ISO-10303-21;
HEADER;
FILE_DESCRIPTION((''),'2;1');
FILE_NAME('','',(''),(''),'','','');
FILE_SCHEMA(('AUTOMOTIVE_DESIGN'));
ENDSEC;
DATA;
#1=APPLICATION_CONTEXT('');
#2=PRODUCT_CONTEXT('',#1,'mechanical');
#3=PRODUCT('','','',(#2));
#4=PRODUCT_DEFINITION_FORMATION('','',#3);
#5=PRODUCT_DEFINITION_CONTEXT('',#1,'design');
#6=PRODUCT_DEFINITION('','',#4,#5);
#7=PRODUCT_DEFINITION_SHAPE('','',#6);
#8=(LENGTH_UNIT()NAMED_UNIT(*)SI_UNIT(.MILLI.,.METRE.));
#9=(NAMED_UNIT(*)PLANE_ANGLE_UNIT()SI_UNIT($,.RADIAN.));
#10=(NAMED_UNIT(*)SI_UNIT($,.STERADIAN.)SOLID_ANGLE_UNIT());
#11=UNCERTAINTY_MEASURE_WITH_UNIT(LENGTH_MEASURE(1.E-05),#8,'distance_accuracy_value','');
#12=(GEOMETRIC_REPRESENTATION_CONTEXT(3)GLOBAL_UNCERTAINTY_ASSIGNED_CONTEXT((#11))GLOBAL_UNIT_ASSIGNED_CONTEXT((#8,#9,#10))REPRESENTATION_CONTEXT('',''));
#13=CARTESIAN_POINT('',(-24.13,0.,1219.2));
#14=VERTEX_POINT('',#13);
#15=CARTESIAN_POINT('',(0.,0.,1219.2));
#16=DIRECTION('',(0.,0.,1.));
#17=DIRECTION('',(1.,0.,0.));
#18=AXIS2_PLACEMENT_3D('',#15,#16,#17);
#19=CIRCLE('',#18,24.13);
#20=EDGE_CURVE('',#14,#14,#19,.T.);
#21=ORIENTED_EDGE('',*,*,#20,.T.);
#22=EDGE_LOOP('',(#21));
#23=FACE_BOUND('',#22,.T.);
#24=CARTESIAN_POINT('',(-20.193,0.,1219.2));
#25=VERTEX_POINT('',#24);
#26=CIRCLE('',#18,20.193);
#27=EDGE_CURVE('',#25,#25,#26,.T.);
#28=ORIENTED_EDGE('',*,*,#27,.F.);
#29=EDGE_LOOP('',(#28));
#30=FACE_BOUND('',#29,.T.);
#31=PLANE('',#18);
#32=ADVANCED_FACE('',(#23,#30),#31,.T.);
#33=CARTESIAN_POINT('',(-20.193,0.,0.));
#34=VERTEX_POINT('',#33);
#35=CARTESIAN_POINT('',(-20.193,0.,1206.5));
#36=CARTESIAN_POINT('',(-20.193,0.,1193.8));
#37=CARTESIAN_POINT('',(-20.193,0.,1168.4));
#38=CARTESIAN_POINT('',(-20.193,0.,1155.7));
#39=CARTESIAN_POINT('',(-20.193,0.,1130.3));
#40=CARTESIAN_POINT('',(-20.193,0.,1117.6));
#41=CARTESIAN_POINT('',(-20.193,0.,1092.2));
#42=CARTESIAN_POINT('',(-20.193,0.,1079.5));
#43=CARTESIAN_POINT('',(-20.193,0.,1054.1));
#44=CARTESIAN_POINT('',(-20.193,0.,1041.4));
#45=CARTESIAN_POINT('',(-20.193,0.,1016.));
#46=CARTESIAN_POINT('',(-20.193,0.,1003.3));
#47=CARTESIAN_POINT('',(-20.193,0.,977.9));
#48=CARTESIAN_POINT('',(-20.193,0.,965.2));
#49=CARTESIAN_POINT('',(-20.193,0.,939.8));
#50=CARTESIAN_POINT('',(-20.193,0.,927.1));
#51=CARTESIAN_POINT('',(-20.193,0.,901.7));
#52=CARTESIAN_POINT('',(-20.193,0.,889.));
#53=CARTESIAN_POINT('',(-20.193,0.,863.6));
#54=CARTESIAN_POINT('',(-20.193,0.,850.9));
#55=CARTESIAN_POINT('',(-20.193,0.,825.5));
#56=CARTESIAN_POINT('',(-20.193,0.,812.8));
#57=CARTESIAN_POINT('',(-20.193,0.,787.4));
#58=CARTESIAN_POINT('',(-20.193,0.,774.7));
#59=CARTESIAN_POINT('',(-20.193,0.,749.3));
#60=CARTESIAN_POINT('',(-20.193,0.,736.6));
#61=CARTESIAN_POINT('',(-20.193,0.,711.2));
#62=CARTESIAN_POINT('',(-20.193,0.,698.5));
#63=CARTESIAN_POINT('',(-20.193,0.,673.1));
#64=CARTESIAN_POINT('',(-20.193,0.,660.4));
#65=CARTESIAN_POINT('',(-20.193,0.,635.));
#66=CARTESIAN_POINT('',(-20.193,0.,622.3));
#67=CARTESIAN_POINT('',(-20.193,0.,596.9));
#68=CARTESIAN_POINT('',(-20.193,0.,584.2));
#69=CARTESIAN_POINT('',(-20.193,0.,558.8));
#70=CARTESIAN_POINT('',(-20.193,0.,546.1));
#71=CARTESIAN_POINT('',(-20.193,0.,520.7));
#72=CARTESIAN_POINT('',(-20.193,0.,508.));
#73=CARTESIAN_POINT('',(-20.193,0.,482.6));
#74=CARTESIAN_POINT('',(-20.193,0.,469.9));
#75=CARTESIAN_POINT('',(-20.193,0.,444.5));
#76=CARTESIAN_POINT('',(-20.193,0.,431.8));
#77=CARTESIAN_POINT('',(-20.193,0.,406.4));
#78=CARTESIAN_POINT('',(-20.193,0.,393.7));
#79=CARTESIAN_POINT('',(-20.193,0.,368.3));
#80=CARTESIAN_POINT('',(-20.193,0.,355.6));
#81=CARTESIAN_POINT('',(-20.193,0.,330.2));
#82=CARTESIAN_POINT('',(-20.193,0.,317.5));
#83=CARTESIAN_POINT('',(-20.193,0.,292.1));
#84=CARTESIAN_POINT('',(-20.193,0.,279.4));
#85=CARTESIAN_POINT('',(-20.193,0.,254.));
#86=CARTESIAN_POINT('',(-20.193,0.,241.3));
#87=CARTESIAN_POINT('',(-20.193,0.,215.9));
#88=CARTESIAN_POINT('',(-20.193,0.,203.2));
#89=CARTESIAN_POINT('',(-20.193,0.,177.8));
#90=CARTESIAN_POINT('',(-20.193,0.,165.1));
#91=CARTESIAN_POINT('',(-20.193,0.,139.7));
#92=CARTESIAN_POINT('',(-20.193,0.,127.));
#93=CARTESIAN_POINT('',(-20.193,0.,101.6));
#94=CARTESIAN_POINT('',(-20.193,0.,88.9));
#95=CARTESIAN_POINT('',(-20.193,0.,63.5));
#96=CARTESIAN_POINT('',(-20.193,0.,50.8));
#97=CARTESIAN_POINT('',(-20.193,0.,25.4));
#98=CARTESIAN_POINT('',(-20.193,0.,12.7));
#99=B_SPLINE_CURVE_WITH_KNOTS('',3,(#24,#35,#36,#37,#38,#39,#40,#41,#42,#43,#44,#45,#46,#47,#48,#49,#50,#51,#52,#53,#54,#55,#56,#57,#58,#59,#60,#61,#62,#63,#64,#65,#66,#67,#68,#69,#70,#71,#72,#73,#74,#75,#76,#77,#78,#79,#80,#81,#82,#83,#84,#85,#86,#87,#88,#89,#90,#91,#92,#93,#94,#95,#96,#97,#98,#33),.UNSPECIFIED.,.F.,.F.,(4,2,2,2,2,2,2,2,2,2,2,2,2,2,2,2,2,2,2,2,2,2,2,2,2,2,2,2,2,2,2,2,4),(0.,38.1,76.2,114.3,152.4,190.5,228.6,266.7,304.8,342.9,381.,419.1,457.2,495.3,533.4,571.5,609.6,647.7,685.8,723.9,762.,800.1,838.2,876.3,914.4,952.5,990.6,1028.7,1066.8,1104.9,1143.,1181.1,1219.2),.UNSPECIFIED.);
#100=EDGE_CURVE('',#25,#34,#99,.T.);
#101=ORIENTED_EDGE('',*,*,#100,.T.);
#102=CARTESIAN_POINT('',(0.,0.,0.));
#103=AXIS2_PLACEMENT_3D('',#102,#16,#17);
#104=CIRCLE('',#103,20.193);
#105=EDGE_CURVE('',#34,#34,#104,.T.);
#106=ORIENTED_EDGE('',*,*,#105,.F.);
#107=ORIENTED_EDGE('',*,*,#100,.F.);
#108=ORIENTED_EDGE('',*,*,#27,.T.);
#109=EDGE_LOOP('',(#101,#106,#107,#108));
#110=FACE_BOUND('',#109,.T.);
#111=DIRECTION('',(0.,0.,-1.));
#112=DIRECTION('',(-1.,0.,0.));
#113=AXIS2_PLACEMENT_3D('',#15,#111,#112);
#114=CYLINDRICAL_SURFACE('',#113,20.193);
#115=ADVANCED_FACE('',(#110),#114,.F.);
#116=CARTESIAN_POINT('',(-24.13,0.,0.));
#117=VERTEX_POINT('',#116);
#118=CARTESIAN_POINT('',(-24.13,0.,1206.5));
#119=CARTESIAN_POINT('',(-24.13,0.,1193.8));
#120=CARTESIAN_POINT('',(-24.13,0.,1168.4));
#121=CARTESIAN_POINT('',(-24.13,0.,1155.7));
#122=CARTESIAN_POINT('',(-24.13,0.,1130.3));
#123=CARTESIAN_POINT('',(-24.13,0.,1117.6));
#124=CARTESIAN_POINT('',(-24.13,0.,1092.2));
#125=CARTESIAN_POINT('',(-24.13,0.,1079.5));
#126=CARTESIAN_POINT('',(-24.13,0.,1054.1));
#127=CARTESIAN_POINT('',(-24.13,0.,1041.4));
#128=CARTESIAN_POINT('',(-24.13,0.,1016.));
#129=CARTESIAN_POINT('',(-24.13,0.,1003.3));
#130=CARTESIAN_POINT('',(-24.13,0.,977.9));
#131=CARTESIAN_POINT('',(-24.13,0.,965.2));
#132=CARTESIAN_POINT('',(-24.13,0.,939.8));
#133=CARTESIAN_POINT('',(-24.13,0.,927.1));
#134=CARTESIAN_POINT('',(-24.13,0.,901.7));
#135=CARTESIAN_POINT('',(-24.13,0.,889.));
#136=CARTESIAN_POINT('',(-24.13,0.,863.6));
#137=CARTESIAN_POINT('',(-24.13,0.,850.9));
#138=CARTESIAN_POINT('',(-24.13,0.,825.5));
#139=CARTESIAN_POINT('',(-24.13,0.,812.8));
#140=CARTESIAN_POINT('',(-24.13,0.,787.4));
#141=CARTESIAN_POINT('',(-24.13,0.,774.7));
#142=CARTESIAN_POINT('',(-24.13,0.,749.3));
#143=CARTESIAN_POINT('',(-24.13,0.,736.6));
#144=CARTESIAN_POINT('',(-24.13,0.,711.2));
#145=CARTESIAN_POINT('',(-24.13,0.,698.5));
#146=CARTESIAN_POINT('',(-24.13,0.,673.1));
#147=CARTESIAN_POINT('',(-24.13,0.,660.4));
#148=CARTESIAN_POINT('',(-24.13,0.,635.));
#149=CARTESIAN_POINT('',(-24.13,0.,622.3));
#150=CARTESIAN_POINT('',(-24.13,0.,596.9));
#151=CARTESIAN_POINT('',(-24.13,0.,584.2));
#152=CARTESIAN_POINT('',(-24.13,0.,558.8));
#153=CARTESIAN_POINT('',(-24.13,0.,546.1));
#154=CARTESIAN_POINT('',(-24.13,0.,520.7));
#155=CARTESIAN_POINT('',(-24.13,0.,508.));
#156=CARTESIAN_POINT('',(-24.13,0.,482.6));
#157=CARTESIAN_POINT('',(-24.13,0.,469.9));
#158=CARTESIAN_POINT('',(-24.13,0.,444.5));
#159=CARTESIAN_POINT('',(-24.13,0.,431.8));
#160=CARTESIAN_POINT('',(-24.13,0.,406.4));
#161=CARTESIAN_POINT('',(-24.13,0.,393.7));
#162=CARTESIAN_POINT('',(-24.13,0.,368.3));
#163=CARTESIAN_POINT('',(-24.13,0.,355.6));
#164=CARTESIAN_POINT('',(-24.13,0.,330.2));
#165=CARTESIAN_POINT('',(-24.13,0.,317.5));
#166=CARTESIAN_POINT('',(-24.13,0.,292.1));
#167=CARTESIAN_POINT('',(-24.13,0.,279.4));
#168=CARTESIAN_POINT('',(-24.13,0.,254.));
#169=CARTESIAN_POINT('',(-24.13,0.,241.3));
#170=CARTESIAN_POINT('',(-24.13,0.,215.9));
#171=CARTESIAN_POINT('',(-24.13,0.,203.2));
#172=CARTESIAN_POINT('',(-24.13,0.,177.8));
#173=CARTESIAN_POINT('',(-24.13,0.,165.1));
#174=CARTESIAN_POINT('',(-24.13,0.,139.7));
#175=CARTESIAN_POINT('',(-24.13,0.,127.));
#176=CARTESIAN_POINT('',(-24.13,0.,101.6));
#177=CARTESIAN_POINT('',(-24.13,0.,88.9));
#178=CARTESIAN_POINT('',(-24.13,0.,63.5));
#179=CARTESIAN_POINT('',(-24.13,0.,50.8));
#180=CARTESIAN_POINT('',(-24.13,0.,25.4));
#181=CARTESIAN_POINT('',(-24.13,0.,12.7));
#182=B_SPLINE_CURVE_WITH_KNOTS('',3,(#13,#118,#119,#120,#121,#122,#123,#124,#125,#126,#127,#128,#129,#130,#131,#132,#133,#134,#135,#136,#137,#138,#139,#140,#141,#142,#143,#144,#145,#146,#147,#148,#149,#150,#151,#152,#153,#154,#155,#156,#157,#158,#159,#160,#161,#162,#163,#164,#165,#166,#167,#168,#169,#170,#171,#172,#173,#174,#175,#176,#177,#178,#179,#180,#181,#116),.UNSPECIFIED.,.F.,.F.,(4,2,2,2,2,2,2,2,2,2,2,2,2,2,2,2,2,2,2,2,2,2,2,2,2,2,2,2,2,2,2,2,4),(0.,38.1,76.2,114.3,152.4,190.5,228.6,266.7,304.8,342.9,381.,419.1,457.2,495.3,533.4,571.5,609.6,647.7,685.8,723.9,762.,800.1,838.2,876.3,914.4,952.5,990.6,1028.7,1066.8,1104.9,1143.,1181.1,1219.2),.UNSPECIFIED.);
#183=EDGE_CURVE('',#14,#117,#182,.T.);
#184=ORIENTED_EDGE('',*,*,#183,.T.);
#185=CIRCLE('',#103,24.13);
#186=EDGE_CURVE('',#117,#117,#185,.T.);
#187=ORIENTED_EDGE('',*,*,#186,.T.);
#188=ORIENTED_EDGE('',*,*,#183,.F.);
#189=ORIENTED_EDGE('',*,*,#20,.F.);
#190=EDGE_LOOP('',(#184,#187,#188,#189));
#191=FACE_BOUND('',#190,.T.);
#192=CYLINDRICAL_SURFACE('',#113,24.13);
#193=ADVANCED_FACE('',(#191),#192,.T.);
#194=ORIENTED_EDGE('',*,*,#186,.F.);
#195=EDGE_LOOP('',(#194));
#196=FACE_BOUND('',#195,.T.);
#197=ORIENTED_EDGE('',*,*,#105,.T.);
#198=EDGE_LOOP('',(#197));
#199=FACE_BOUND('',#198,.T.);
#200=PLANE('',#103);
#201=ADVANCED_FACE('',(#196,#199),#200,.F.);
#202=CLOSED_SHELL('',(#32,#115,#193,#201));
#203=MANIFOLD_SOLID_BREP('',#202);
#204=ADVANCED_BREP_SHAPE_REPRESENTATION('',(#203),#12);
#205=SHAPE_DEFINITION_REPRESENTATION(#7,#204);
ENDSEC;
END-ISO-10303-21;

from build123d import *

# Parameters (mm, degrees)
SKETCH1_R           = 24.13
SKETCH1_R_2         = 20.193
BOSS_EXTRUDE1_DEPTH = 1219.2


with BuildPart() as part:
    # Sketch1 → Boss-Extrude1 (new body)
    with BuildSketch(Plane.XY):
        Circle(SKETCH1_R)
        Circle(SKETCH1_R_2, mode=Mode.SUBTRACT)
    extrude(amount=BOSS_EXTRUDE1_DEPTH)


solid = part.part
